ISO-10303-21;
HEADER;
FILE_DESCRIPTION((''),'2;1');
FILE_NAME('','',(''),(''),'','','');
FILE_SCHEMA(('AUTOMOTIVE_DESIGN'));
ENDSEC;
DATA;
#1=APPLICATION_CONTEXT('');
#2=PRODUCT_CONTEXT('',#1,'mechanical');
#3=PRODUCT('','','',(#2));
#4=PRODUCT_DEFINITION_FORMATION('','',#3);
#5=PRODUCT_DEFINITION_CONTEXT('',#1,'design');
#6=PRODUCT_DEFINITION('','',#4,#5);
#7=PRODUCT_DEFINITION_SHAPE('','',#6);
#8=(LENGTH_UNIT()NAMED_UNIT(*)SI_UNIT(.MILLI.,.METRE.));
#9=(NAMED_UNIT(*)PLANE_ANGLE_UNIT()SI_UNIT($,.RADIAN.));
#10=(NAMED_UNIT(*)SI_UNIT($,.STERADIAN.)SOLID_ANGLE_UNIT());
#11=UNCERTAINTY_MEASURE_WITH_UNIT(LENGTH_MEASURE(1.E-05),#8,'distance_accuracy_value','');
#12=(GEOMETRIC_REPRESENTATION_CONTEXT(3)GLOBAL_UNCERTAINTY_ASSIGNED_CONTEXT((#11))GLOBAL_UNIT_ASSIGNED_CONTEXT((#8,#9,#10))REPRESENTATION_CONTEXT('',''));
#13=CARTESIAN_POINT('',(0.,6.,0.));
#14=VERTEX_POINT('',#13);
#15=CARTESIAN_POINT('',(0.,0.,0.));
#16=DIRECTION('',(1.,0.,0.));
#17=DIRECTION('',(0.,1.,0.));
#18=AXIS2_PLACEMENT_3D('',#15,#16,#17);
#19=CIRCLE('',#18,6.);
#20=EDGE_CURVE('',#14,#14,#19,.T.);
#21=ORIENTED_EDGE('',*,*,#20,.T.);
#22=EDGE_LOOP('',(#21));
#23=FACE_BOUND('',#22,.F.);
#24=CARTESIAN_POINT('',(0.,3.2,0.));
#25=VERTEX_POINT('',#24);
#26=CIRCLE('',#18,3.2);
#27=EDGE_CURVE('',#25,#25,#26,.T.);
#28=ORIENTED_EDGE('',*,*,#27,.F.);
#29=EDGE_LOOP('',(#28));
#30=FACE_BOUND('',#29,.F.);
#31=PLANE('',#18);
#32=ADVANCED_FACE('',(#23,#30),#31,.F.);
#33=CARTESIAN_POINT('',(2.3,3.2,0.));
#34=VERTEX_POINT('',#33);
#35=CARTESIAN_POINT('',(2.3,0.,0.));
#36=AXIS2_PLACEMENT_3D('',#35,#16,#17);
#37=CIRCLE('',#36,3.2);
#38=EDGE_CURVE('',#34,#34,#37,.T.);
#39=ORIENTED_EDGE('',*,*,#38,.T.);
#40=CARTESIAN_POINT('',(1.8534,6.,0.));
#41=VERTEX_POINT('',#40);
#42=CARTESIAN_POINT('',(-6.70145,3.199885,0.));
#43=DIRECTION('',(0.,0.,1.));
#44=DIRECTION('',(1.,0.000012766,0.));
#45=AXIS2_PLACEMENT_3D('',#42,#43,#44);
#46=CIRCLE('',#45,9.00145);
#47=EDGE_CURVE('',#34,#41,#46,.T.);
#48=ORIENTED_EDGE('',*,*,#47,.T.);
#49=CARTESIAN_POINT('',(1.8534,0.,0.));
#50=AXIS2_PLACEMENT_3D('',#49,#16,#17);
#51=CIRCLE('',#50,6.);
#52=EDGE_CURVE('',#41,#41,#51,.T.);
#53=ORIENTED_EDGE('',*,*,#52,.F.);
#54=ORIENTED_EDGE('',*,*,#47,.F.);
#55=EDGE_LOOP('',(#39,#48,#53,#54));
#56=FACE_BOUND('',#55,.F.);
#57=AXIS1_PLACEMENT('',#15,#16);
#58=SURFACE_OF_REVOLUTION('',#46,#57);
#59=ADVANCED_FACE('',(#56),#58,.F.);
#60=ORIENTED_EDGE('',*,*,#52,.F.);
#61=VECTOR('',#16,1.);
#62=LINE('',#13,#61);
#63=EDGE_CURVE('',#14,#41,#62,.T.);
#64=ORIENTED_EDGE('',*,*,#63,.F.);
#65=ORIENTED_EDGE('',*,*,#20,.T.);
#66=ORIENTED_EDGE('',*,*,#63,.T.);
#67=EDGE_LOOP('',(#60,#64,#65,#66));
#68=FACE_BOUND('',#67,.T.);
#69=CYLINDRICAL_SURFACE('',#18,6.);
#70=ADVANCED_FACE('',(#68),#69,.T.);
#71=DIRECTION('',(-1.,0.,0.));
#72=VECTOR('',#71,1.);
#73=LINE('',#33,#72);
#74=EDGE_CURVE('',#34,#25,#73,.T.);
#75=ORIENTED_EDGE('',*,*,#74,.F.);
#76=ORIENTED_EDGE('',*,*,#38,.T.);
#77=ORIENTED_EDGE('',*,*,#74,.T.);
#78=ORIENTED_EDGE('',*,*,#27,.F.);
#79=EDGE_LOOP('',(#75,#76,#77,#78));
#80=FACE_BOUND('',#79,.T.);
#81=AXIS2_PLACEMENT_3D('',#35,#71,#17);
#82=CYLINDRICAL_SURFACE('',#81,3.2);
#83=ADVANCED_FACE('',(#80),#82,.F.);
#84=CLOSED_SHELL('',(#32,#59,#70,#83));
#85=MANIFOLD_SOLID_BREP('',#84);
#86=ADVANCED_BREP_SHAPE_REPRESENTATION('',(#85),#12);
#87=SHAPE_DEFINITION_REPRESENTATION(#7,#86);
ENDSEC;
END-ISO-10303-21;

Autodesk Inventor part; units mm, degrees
ref_plane "YZ Plane" through (0, 0, 0) normal (1, 0, 0) x (0, 1, 0)
ref_plane "XZ Plane" through (0, 0, 0) normal (0, 1, 0) x (-1, 0, 0)
sketch "Skizze1" plane through (0, 0, 0) normal (0, 0, 1) x (1, 0, 0)
  line L0 (0, 6) -> (0, 3.2)
  line L1 (0, 6) -> (1.8534, 6)
  line L2 (0, 0) -> (2.3, 0)
  line L3 (2.3, 3.2) -> (0, 3.2)
  line L4 (2.3, 3.2) -> (2.3, 0) construction
  line L5 (0, 0) -> (0, 3.2) construction
  arc A0 (2.3, 3.2) -> (1.8534, 6) centre (-6.7, 3.2) ccw
  line L6 (-37.2995, 0) -> (19.3972, 0) projected
  line L7 (0, -5.616) -> (0, 33.6957) projected
  dimension "d0" = 6.4
  dimension "d1" = 12
  dimension "d2" = 2.3
  dimension "d4" = 9
revolve "Körper" add sketch "Skizze1" angle 360 about axis through (0, 0, 0) along (1, 0, 0)
ref_plane "Work Plane1" through (5.4, 0, 0) normal (0, -1, 0) x (1, 0, 0)
equation "\"d0\" = SD1"
equation "\"d1\" = SD2"
equation "\"d2\" = SD"
equation "\"d4\" = RR"
equation "\"SD1\" = 6.4"
equation "\"SD2\" = 12"
equation "\"SD\" = 2.3"
equation "\"RR\" = 9"
equation "\"NND\" = 6"
properties part number "IS 4297 - 6,4" material "Stahl, weich"
